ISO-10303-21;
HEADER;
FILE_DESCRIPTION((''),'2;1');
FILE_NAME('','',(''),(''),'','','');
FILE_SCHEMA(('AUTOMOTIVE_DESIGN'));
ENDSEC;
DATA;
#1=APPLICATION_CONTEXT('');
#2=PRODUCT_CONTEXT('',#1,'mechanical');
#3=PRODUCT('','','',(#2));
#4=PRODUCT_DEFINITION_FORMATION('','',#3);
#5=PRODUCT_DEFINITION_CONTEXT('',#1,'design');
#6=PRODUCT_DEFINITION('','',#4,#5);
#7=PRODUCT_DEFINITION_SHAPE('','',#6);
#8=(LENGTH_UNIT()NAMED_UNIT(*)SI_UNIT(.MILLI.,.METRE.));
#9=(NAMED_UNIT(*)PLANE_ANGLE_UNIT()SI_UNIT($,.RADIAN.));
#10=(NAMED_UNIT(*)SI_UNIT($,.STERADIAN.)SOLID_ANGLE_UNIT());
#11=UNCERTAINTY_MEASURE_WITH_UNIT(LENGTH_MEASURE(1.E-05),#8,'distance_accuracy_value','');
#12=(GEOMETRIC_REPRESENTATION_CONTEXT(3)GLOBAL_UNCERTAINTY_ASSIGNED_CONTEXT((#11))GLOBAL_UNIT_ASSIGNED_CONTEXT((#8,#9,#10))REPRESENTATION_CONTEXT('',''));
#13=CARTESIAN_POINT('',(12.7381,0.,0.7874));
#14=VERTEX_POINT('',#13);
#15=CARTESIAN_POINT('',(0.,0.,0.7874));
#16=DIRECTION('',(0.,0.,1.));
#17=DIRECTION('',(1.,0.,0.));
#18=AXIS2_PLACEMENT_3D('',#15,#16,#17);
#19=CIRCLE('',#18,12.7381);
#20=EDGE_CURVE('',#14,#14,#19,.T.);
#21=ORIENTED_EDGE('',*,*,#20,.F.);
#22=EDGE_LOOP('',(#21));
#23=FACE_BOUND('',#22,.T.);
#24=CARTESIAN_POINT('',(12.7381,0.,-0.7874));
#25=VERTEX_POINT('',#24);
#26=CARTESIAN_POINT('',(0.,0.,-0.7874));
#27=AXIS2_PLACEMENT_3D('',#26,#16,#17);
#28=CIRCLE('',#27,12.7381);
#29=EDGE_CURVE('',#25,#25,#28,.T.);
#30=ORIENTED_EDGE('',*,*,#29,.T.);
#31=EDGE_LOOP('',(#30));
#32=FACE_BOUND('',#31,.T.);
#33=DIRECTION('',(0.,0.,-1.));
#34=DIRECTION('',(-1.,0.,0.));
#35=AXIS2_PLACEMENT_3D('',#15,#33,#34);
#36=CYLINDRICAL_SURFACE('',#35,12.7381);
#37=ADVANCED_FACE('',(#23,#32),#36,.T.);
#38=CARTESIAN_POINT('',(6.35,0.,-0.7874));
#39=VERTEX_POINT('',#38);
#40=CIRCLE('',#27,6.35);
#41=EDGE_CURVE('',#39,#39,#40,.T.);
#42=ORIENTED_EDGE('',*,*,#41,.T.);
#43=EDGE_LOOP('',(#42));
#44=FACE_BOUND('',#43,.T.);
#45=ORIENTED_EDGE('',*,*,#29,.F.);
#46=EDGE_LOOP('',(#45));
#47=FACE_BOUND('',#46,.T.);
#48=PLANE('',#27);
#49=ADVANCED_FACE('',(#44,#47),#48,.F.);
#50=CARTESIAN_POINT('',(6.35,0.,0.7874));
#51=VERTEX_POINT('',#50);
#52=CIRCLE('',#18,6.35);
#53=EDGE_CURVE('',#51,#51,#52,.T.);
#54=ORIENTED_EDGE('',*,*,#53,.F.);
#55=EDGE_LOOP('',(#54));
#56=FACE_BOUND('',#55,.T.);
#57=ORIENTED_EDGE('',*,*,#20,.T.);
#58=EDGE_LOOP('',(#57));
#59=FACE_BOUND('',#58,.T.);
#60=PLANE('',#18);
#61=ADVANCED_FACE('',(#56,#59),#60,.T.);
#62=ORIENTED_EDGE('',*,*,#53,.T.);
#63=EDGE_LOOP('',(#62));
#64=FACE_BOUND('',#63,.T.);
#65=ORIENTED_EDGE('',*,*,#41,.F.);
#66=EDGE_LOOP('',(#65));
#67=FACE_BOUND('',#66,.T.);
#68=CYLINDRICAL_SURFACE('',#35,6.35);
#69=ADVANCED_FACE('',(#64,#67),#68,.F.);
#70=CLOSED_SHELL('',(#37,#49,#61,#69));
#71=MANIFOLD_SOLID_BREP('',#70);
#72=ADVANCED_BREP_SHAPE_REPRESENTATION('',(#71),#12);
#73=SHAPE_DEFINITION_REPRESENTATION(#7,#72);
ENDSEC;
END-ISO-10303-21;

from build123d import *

# Parameters (mm, degrees)
SKETCH3_R                = 12.7381
SKETCH3_R_2              = 6.35
BOSS_EXTRUDE1_DEPTH      = 0.7874
BOSS_EXTRUDE1_DEPTH_BACK = 0.7874


with BuildPart() as part:
    # Sketch3 → Boss-Extrude1 (new body, two sides)
    with BuildSketch(Plane.XY) as boss_extrude1_sk:
        Circle(SKETCH3_R)
        Circle(SKETCH3_R_2, mode=Mode.SUBTRACT)
    extrude(amount=BOSS_EXTRUDE1_DEPTH)
    extrude(boss_extrude1_sk.sketch, amount=-BOSS_EXTRUDE1_DEPTH_BACK)


solid = part.part
